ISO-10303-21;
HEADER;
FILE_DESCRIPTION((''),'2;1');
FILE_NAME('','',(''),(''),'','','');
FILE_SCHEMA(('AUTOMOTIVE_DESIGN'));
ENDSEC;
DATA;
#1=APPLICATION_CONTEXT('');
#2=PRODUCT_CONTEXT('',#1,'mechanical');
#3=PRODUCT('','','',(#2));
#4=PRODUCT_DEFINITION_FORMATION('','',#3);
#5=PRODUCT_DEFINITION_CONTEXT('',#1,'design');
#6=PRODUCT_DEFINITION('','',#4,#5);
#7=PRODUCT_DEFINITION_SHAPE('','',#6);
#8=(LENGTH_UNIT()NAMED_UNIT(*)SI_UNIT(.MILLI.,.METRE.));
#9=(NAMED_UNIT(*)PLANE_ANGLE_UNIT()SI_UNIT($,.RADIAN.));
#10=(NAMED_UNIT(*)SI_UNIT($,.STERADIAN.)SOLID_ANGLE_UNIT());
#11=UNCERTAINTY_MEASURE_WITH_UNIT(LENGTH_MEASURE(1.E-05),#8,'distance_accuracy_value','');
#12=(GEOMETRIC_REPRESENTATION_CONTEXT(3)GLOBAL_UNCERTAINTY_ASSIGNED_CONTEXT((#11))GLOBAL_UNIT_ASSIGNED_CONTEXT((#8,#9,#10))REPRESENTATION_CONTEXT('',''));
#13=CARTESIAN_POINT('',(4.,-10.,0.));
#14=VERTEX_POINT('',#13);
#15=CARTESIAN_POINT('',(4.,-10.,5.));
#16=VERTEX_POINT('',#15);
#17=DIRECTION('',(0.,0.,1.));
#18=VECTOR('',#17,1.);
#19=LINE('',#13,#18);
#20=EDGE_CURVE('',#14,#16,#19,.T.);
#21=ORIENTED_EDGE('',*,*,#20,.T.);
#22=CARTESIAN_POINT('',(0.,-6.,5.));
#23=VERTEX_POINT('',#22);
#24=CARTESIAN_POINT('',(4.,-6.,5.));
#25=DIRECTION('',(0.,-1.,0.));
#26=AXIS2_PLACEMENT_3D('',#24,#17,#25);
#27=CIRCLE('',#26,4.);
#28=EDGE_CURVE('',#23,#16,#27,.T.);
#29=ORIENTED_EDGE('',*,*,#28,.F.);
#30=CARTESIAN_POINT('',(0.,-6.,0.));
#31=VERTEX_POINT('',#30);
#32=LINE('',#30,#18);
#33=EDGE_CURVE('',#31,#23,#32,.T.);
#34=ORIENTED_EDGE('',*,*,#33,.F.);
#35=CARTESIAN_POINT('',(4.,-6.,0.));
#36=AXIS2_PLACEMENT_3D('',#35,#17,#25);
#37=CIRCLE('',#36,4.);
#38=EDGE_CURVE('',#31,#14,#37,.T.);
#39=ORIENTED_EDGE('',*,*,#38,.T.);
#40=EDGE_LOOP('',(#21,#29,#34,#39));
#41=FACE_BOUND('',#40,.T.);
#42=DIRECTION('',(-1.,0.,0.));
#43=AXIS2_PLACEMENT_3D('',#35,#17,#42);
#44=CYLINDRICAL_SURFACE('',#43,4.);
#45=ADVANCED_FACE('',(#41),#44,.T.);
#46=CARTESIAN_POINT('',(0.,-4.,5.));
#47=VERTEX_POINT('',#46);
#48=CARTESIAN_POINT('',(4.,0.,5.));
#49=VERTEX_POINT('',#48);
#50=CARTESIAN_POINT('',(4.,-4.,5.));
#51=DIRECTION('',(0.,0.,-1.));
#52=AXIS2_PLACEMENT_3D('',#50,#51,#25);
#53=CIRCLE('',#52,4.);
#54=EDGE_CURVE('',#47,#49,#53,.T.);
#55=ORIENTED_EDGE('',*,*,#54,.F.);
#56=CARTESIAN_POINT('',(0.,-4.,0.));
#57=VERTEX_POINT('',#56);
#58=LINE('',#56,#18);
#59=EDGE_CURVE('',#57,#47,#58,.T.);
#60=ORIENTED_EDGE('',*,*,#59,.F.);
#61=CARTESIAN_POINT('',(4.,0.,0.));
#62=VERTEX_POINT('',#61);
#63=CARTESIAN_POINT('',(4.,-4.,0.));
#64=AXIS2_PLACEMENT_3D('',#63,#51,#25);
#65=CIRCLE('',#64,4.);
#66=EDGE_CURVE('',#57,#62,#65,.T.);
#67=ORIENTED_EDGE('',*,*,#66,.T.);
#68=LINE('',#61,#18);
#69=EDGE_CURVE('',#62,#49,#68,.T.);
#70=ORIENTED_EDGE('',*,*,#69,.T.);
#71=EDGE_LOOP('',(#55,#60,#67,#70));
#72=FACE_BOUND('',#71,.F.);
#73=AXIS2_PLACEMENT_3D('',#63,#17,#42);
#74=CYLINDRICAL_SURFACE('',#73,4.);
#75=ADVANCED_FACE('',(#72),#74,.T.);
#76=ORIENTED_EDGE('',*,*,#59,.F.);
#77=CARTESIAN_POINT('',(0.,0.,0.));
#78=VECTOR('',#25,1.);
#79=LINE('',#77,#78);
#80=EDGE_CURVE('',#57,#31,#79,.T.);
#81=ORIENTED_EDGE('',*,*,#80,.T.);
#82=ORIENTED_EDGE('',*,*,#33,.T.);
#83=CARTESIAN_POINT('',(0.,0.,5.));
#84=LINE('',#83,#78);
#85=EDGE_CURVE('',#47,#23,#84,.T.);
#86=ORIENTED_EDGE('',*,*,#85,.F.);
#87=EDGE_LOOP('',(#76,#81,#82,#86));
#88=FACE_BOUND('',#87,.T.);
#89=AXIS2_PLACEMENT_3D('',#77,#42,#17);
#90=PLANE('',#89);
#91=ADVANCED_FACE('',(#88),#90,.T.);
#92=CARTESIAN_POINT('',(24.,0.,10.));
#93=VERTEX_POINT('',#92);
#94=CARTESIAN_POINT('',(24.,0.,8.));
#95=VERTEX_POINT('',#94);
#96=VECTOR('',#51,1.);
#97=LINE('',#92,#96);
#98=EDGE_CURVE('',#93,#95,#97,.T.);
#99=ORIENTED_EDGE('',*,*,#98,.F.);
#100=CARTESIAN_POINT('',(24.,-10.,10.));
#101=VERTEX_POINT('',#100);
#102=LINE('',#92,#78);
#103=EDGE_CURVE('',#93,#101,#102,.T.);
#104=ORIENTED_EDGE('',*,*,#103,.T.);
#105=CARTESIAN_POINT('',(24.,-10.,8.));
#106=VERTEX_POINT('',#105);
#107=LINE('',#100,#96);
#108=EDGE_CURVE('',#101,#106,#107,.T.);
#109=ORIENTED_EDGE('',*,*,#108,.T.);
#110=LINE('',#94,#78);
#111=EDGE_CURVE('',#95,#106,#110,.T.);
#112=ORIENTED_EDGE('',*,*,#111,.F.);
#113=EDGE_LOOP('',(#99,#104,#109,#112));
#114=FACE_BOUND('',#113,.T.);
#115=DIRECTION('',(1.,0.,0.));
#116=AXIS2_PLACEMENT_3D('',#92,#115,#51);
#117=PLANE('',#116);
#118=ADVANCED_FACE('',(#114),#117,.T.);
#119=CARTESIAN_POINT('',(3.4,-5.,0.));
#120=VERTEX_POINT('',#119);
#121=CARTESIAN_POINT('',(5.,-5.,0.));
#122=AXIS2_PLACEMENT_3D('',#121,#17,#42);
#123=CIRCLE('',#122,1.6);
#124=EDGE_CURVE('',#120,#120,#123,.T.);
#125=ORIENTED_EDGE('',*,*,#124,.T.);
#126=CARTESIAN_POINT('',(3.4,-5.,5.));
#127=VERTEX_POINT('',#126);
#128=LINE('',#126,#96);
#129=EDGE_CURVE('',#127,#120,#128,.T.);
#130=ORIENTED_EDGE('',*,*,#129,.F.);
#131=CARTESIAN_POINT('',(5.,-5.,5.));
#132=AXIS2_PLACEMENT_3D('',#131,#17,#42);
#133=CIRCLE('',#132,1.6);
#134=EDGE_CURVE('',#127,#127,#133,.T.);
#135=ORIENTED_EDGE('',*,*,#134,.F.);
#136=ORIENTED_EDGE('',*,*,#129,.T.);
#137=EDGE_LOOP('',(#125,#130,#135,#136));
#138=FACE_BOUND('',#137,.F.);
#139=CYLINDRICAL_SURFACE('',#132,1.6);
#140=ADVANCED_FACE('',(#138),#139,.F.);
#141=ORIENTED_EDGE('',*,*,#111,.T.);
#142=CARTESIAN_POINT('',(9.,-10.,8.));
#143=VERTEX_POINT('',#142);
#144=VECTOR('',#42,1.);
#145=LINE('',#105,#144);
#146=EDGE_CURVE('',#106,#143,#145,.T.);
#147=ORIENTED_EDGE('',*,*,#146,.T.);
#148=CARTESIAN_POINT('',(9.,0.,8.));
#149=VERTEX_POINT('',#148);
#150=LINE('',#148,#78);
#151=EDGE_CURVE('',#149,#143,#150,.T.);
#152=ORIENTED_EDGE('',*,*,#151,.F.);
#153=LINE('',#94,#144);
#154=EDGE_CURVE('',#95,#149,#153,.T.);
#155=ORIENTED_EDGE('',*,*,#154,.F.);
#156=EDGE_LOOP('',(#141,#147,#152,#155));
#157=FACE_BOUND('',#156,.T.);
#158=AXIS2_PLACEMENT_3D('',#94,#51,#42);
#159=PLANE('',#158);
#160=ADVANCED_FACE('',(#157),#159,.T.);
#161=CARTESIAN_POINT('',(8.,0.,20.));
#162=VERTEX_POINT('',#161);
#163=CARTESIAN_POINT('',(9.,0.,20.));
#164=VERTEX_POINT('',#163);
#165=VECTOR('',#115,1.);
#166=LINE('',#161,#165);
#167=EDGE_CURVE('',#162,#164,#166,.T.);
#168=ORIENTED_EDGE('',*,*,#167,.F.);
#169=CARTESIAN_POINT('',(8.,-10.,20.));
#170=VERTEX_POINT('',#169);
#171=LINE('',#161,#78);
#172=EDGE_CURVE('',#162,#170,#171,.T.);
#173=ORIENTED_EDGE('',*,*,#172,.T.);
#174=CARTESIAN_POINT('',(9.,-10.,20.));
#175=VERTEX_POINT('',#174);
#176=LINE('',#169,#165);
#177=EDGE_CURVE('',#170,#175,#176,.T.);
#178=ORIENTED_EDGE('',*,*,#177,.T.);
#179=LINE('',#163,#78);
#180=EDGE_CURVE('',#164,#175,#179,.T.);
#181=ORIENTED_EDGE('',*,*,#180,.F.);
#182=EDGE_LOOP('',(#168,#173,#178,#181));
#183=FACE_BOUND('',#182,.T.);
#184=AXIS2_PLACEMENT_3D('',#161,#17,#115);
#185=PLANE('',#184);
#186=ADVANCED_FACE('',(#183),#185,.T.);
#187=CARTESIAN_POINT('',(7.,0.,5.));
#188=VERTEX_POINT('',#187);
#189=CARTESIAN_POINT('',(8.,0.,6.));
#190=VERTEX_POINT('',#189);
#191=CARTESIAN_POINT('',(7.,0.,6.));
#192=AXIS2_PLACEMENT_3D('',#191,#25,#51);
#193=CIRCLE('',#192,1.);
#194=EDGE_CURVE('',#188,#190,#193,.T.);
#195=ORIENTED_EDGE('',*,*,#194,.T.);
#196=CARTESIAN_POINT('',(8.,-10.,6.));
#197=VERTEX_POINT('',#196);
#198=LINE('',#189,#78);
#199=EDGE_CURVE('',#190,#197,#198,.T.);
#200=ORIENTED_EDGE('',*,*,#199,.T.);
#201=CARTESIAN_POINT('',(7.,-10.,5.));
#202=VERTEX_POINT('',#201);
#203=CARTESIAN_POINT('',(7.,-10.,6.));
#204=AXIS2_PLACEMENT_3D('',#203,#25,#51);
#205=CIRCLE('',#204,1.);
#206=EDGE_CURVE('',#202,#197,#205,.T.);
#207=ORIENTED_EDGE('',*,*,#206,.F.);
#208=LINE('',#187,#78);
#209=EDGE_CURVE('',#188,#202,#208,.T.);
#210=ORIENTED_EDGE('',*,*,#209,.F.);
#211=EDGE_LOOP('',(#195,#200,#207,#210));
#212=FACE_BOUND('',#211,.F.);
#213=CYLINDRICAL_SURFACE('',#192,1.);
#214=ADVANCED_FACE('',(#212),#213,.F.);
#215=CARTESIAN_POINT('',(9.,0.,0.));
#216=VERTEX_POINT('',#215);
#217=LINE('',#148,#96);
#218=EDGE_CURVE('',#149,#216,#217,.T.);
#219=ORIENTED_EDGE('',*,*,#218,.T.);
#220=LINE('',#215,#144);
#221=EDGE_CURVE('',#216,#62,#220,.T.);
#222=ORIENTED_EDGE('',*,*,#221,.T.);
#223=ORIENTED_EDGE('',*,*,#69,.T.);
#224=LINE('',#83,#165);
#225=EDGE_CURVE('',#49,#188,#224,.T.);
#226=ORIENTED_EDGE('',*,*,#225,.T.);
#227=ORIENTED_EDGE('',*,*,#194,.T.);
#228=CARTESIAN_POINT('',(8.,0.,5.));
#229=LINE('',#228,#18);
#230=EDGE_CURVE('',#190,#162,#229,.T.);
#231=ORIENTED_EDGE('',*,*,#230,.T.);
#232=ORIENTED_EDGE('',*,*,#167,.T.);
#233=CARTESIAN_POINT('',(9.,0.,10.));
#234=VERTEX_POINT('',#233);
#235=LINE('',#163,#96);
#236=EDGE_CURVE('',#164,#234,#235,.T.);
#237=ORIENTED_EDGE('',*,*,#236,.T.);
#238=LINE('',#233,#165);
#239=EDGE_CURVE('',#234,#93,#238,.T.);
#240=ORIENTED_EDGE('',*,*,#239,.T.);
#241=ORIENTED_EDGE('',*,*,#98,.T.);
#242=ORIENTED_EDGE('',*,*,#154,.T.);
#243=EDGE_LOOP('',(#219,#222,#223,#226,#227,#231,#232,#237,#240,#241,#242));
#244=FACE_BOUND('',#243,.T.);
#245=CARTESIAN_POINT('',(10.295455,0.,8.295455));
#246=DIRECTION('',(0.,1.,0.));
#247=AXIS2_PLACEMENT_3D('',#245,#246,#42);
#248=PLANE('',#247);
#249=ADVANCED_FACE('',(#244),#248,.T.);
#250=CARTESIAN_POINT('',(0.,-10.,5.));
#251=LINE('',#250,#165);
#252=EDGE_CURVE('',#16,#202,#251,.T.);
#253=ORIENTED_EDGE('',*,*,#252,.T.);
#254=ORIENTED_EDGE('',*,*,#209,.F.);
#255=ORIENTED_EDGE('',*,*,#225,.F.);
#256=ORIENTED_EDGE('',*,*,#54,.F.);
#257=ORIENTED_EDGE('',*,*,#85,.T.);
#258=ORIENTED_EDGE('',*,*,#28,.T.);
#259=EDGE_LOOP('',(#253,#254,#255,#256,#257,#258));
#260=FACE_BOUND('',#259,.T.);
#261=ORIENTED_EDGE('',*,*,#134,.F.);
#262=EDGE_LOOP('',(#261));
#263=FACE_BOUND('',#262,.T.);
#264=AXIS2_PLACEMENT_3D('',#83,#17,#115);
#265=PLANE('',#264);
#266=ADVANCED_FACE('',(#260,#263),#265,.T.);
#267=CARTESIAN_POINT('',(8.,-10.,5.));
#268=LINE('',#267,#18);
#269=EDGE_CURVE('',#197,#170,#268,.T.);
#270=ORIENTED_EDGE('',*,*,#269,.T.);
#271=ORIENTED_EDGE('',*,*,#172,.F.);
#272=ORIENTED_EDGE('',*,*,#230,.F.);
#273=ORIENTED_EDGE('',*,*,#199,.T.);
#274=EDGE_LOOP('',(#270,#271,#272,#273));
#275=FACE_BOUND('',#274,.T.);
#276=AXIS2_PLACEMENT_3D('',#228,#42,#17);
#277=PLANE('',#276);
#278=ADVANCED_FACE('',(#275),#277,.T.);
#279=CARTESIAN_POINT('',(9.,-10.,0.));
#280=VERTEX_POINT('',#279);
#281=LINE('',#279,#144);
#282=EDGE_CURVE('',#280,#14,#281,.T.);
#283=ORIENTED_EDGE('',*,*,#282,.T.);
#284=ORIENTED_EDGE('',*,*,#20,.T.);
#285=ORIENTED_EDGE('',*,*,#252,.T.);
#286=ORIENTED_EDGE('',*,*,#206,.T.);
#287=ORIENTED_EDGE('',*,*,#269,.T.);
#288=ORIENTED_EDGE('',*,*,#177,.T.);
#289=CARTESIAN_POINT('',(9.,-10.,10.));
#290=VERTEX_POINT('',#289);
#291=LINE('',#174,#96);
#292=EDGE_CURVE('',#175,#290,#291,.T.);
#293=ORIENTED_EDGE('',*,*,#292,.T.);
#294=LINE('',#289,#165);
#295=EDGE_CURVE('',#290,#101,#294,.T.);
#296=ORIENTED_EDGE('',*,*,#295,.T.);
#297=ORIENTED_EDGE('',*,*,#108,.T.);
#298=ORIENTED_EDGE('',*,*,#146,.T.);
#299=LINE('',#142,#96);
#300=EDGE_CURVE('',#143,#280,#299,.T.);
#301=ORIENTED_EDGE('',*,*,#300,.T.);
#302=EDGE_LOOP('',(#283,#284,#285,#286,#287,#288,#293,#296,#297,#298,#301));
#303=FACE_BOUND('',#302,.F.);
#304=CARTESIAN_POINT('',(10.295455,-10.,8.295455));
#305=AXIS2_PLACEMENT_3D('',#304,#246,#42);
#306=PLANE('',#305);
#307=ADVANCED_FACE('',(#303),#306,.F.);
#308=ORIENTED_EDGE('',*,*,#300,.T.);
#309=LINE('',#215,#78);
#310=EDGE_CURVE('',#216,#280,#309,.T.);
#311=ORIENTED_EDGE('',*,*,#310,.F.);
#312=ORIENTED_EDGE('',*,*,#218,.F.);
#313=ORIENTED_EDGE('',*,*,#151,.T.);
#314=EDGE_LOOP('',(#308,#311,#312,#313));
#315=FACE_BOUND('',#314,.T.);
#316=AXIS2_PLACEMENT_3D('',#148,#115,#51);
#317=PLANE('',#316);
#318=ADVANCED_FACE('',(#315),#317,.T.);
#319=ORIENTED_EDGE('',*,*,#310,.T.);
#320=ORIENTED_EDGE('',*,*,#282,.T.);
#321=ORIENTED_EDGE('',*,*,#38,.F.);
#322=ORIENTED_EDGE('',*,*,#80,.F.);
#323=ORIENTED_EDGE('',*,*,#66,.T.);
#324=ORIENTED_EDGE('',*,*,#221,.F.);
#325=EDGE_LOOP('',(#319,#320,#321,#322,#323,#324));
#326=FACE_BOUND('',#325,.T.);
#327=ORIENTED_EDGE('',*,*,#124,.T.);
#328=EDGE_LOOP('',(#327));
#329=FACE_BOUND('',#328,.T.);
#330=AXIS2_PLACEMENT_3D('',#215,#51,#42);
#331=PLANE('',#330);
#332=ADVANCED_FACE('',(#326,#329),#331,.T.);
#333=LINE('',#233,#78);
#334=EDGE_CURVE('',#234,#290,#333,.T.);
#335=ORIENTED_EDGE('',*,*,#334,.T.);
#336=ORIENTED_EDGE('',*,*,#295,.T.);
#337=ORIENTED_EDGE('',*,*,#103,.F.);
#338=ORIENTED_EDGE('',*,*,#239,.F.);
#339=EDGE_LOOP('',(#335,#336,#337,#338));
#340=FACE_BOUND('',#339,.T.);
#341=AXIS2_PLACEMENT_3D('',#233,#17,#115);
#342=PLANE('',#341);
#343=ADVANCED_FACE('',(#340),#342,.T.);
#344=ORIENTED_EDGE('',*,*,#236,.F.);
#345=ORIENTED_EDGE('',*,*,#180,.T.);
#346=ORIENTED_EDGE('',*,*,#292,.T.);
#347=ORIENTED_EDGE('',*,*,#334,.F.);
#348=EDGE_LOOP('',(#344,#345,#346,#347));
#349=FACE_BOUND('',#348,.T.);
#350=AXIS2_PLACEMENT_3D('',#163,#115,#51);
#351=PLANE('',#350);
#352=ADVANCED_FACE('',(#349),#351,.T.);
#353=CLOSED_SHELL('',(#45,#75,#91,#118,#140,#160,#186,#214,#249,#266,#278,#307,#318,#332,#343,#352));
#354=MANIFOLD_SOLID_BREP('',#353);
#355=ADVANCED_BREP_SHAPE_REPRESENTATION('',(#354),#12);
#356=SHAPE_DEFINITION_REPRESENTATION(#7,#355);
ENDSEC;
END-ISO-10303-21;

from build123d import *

# Parameters (mm, degrees)
PAD_DEPTH    = 10
SKETCH001_R  = 1.6
POCKET_DEPTH = 5
FILLET_R     = 4
FILLET001_R  = 1


with BuildPart() as part:
    # Sketch → Pad (new body)
    with BuildSketch(Plane.XZ):
        Polygon((0, 0), (0, 5), (8, 5), (8, 20), (9, 20), (9, 10), (24, 10), (24, 8), (9, 8), (9, 0), align=None)
    extrude(amount=PAD_DEPTH)

    # Sketch001 (on Face2 of Pad) → Pocket (cut)
    with BuildSketch(Plane(origin=(0, 0, 5), x_dir=(-1, 0, 0), z_dir=(0, 0, 1))):
        with Locations((-5, 5)):
            Circle(SKETCH001_R)
    extrude(amount=-POCKET_DEPTH, mode=Mode.SUBTRACT)

    # Fillet
    fillet_edges = [part.edges().sort_by_distance(p)[0] for p in [
        (0, 0, 2.5),
        (0, -10, 2.5),
    ]]
    fillet(fillet_edges, radius=FILLET_R)

    # Fillet001
    fillet001_edges = [part.edges().sort_by_distance(p)[0] for p in [
        (8, -5, 5),
    ]]
    fillet(fillet001_edges, radius=FILLET001_R)


solid = part.part
